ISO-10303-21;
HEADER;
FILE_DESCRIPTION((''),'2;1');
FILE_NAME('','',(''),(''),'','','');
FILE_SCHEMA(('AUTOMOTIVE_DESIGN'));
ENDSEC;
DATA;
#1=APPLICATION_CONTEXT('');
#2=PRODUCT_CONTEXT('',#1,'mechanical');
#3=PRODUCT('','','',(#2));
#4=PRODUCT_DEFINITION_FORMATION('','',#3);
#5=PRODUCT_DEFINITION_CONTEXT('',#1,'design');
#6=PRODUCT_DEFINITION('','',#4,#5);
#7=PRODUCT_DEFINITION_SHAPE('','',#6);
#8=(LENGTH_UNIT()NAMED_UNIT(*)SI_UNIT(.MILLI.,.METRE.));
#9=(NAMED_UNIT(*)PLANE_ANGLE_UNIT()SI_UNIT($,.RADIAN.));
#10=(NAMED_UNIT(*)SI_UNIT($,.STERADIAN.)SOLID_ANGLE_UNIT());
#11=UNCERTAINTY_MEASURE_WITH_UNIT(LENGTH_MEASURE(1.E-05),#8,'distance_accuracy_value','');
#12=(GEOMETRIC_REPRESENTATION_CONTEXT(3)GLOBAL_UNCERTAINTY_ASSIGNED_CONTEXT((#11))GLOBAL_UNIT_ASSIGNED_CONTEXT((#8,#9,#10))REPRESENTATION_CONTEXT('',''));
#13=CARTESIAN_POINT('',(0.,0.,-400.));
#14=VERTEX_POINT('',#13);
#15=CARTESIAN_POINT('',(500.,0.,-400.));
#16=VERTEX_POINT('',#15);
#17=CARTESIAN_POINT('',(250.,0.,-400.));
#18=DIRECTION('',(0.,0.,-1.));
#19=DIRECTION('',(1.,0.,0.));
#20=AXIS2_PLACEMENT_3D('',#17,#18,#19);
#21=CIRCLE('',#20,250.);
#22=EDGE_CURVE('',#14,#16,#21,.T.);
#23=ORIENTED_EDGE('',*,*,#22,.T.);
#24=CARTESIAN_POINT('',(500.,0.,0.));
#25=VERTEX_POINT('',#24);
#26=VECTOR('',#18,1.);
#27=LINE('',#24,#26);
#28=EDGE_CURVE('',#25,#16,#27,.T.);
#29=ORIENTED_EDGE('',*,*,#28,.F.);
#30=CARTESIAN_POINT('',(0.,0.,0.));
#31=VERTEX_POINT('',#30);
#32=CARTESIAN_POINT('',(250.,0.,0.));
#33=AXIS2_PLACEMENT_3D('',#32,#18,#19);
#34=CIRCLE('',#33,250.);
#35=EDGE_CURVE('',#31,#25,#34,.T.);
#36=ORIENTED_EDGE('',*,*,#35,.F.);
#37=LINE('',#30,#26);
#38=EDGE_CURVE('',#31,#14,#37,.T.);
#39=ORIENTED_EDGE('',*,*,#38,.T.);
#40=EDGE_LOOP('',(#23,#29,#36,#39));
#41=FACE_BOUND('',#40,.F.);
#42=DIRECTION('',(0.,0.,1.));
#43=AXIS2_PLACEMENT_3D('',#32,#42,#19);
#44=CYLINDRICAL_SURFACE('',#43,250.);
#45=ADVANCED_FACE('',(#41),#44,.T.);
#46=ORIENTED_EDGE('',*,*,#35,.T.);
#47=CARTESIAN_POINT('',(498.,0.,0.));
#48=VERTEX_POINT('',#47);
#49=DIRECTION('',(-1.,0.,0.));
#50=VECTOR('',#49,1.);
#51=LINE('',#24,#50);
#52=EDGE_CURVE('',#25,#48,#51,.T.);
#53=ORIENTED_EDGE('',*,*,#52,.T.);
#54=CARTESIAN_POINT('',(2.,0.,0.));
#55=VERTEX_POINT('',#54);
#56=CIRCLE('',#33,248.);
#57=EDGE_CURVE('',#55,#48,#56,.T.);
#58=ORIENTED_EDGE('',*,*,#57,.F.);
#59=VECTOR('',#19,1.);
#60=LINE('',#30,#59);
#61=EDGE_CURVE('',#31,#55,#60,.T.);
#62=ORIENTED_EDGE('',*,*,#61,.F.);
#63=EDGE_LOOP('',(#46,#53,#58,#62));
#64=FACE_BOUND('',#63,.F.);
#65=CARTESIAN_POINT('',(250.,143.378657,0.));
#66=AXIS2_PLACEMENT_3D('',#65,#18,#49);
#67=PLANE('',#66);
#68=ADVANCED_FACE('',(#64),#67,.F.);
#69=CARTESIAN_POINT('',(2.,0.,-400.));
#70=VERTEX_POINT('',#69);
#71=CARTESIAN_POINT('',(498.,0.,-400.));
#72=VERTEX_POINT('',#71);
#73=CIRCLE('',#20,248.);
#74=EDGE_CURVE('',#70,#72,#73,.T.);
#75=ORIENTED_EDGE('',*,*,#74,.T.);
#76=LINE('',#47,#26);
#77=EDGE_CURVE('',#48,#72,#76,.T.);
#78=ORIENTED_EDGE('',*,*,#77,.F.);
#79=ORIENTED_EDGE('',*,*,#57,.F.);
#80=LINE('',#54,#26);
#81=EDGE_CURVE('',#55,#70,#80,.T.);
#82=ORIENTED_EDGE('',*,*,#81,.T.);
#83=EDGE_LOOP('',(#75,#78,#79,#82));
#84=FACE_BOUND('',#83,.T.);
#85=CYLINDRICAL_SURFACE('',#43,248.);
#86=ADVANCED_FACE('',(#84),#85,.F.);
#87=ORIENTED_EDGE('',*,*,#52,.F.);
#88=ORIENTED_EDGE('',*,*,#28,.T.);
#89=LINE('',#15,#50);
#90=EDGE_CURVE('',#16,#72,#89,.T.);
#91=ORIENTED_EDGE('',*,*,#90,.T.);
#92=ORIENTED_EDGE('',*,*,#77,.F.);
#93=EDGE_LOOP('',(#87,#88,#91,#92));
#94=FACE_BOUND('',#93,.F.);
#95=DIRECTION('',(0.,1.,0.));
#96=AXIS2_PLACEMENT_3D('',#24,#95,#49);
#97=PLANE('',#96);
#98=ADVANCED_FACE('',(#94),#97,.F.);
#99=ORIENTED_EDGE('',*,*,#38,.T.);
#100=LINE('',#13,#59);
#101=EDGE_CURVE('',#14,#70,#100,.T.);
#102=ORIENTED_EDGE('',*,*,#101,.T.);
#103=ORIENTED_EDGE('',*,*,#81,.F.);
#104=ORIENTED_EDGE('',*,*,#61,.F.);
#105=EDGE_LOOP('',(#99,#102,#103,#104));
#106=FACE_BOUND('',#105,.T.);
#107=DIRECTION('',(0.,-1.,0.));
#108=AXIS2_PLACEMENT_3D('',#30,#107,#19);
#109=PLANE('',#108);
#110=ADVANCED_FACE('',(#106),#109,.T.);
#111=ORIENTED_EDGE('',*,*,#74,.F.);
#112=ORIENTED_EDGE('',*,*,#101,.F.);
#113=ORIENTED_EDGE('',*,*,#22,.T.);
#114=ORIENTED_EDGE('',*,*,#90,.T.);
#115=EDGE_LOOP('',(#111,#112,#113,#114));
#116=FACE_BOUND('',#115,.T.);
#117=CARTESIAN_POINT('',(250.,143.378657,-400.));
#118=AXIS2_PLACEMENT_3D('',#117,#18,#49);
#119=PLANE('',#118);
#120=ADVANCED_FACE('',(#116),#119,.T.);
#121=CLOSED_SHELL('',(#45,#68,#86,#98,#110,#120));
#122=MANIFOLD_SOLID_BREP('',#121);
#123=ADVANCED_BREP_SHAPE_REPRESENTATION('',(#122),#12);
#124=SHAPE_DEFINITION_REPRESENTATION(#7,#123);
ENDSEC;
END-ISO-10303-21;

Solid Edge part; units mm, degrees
sketch "Sketch1" plane through (0, 0, 0) normal (0, 0, 1) x (1, 0, 0)
  arc A0 (0, 0) -> (500, 0) centre (250, 0) cw
  line L0 (500, 0) -> (498, 0)
  arc A1 (2, 0) -> (498, 0) centre (250, 0) cw
  line L1 (0, 0) -> (2, 0)
  dimension "D1" = 500
extrude "Protrusion1" add sketch "Sketch1" against normal blind 400
